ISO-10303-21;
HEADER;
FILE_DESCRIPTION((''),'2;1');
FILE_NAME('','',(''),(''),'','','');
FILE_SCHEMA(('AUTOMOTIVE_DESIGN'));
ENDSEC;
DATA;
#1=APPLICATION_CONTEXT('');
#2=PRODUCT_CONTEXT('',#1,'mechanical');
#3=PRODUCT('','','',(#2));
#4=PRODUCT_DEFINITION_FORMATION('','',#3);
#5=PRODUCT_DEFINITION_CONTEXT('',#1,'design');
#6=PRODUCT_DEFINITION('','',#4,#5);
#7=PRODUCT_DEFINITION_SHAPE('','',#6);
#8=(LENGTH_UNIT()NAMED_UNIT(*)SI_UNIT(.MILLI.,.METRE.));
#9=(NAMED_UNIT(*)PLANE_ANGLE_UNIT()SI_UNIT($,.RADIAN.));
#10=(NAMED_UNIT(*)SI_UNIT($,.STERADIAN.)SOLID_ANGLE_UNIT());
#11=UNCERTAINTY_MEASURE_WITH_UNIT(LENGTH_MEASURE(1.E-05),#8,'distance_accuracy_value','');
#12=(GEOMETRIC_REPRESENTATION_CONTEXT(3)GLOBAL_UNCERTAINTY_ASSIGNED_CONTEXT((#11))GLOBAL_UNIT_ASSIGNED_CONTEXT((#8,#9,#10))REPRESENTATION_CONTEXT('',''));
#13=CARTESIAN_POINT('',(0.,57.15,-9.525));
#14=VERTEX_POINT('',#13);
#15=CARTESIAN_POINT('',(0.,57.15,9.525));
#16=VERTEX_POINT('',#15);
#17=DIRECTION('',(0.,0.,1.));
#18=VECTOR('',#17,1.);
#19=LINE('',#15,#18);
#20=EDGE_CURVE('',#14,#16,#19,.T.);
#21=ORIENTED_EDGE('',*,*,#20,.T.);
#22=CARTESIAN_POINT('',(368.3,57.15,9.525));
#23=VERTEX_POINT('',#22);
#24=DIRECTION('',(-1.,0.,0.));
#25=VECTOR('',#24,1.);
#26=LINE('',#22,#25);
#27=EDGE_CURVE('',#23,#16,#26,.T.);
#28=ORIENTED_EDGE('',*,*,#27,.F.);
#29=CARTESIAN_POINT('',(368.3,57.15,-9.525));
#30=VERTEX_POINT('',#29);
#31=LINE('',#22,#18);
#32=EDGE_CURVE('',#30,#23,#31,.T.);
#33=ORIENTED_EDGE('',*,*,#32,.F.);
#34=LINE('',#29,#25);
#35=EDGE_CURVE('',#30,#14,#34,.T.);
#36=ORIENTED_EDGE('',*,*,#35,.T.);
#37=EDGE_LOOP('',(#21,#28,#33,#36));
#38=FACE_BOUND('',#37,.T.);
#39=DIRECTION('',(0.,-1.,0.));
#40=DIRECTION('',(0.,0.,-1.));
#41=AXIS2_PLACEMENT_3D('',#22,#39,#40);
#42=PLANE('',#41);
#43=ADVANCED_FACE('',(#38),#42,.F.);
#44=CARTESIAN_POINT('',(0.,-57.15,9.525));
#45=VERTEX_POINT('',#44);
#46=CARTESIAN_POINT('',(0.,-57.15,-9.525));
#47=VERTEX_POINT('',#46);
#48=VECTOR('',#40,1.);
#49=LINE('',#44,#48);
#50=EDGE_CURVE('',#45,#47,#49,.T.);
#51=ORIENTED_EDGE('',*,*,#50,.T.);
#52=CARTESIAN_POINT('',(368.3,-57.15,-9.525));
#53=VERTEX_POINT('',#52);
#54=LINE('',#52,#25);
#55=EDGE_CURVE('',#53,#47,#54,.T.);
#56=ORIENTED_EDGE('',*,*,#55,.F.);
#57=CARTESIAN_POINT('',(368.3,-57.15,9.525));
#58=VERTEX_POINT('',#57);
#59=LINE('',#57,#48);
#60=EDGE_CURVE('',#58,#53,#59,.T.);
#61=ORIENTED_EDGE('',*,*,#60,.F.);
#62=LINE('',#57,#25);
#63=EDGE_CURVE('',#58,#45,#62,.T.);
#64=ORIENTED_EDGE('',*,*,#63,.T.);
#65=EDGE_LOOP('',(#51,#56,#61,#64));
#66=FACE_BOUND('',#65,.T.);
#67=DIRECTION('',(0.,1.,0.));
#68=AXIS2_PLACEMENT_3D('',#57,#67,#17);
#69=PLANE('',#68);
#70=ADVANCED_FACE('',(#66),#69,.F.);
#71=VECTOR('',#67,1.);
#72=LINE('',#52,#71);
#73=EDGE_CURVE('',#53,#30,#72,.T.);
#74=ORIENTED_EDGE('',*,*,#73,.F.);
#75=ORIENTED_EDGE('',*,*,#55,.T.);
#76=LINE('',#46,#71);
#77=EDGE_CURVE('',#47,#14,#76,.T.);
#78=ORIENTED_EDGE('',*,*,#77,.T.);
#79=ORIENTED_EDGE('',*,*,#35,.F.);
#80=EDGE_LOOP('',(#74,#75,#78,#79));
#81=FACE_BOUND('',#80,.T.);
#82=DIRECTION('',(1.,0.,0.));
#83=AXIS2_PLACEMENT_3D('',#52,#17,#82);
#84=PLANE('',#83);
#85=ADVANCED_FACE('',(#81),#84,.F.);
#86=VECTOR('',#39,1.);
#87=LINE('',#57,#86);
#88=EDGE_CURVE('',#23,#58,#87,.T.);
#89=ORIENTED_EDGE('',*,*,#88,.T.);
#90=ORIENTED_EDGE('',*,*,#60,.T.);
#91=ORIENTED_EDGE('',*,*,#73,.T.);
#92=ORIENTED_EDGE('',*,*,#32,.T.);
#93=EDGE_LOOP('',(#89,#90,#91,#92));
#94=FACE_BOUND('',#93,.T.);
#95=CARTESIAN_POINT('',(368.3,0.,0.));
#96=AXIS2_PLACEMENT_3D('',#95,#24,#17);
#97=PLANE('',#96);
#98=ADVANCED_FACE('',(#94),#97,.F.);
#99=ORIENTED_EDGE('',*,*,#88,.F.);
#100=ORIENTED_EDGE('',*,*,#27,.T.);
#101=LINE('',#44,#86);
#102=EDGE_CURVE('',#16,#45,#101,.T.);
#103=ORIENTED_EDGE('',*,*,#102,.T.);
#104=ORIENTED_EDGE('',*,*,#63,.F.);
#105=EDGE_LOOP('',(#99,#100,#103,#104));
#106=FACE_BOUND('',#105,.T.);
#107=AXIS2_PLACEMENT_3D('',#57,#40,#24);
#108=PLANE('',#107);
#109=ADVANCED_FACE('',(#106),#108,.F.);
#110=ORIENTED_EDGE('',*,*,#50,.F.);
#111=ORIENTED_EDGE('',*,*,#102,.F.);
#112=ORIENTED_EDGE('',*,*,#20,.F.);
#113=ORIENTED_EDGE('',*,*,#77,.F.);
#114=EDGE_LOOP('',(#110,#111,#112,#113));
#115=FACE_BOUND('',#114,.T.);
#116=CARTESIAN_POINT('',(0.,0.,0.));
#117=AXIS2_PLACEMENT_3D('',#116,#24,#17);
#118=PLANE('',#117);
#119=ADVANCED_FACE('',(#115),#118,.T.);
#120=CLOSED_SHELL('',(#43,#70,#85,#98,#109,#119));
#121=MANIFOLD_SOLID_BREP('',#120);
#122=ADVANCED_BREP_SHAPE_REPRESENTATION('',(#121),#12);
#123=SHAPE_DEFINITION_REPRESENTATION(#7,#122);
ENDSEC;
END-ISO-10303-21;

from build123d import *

# Parameters (mm, degrees)
SKETCH1_W           = 19.05
SKETCH1_H           = 114.3
BOSS_EXTRUDE1_DEPTH = 368.3


with BuildPart() as part:
    # Sketch1 → Boss-Extrude1 (new body)
    with BuildSketch(Plane(origin=(0, 0, 0), x_dir=(0, 0, -1), z_dir=(1, 0, 0))):
        Rectangle(SKETCH1_W, SKETCH1_H)
    extrude(amount=BOSS_EXTRUDE1_DEPTH)


solid = part.part
